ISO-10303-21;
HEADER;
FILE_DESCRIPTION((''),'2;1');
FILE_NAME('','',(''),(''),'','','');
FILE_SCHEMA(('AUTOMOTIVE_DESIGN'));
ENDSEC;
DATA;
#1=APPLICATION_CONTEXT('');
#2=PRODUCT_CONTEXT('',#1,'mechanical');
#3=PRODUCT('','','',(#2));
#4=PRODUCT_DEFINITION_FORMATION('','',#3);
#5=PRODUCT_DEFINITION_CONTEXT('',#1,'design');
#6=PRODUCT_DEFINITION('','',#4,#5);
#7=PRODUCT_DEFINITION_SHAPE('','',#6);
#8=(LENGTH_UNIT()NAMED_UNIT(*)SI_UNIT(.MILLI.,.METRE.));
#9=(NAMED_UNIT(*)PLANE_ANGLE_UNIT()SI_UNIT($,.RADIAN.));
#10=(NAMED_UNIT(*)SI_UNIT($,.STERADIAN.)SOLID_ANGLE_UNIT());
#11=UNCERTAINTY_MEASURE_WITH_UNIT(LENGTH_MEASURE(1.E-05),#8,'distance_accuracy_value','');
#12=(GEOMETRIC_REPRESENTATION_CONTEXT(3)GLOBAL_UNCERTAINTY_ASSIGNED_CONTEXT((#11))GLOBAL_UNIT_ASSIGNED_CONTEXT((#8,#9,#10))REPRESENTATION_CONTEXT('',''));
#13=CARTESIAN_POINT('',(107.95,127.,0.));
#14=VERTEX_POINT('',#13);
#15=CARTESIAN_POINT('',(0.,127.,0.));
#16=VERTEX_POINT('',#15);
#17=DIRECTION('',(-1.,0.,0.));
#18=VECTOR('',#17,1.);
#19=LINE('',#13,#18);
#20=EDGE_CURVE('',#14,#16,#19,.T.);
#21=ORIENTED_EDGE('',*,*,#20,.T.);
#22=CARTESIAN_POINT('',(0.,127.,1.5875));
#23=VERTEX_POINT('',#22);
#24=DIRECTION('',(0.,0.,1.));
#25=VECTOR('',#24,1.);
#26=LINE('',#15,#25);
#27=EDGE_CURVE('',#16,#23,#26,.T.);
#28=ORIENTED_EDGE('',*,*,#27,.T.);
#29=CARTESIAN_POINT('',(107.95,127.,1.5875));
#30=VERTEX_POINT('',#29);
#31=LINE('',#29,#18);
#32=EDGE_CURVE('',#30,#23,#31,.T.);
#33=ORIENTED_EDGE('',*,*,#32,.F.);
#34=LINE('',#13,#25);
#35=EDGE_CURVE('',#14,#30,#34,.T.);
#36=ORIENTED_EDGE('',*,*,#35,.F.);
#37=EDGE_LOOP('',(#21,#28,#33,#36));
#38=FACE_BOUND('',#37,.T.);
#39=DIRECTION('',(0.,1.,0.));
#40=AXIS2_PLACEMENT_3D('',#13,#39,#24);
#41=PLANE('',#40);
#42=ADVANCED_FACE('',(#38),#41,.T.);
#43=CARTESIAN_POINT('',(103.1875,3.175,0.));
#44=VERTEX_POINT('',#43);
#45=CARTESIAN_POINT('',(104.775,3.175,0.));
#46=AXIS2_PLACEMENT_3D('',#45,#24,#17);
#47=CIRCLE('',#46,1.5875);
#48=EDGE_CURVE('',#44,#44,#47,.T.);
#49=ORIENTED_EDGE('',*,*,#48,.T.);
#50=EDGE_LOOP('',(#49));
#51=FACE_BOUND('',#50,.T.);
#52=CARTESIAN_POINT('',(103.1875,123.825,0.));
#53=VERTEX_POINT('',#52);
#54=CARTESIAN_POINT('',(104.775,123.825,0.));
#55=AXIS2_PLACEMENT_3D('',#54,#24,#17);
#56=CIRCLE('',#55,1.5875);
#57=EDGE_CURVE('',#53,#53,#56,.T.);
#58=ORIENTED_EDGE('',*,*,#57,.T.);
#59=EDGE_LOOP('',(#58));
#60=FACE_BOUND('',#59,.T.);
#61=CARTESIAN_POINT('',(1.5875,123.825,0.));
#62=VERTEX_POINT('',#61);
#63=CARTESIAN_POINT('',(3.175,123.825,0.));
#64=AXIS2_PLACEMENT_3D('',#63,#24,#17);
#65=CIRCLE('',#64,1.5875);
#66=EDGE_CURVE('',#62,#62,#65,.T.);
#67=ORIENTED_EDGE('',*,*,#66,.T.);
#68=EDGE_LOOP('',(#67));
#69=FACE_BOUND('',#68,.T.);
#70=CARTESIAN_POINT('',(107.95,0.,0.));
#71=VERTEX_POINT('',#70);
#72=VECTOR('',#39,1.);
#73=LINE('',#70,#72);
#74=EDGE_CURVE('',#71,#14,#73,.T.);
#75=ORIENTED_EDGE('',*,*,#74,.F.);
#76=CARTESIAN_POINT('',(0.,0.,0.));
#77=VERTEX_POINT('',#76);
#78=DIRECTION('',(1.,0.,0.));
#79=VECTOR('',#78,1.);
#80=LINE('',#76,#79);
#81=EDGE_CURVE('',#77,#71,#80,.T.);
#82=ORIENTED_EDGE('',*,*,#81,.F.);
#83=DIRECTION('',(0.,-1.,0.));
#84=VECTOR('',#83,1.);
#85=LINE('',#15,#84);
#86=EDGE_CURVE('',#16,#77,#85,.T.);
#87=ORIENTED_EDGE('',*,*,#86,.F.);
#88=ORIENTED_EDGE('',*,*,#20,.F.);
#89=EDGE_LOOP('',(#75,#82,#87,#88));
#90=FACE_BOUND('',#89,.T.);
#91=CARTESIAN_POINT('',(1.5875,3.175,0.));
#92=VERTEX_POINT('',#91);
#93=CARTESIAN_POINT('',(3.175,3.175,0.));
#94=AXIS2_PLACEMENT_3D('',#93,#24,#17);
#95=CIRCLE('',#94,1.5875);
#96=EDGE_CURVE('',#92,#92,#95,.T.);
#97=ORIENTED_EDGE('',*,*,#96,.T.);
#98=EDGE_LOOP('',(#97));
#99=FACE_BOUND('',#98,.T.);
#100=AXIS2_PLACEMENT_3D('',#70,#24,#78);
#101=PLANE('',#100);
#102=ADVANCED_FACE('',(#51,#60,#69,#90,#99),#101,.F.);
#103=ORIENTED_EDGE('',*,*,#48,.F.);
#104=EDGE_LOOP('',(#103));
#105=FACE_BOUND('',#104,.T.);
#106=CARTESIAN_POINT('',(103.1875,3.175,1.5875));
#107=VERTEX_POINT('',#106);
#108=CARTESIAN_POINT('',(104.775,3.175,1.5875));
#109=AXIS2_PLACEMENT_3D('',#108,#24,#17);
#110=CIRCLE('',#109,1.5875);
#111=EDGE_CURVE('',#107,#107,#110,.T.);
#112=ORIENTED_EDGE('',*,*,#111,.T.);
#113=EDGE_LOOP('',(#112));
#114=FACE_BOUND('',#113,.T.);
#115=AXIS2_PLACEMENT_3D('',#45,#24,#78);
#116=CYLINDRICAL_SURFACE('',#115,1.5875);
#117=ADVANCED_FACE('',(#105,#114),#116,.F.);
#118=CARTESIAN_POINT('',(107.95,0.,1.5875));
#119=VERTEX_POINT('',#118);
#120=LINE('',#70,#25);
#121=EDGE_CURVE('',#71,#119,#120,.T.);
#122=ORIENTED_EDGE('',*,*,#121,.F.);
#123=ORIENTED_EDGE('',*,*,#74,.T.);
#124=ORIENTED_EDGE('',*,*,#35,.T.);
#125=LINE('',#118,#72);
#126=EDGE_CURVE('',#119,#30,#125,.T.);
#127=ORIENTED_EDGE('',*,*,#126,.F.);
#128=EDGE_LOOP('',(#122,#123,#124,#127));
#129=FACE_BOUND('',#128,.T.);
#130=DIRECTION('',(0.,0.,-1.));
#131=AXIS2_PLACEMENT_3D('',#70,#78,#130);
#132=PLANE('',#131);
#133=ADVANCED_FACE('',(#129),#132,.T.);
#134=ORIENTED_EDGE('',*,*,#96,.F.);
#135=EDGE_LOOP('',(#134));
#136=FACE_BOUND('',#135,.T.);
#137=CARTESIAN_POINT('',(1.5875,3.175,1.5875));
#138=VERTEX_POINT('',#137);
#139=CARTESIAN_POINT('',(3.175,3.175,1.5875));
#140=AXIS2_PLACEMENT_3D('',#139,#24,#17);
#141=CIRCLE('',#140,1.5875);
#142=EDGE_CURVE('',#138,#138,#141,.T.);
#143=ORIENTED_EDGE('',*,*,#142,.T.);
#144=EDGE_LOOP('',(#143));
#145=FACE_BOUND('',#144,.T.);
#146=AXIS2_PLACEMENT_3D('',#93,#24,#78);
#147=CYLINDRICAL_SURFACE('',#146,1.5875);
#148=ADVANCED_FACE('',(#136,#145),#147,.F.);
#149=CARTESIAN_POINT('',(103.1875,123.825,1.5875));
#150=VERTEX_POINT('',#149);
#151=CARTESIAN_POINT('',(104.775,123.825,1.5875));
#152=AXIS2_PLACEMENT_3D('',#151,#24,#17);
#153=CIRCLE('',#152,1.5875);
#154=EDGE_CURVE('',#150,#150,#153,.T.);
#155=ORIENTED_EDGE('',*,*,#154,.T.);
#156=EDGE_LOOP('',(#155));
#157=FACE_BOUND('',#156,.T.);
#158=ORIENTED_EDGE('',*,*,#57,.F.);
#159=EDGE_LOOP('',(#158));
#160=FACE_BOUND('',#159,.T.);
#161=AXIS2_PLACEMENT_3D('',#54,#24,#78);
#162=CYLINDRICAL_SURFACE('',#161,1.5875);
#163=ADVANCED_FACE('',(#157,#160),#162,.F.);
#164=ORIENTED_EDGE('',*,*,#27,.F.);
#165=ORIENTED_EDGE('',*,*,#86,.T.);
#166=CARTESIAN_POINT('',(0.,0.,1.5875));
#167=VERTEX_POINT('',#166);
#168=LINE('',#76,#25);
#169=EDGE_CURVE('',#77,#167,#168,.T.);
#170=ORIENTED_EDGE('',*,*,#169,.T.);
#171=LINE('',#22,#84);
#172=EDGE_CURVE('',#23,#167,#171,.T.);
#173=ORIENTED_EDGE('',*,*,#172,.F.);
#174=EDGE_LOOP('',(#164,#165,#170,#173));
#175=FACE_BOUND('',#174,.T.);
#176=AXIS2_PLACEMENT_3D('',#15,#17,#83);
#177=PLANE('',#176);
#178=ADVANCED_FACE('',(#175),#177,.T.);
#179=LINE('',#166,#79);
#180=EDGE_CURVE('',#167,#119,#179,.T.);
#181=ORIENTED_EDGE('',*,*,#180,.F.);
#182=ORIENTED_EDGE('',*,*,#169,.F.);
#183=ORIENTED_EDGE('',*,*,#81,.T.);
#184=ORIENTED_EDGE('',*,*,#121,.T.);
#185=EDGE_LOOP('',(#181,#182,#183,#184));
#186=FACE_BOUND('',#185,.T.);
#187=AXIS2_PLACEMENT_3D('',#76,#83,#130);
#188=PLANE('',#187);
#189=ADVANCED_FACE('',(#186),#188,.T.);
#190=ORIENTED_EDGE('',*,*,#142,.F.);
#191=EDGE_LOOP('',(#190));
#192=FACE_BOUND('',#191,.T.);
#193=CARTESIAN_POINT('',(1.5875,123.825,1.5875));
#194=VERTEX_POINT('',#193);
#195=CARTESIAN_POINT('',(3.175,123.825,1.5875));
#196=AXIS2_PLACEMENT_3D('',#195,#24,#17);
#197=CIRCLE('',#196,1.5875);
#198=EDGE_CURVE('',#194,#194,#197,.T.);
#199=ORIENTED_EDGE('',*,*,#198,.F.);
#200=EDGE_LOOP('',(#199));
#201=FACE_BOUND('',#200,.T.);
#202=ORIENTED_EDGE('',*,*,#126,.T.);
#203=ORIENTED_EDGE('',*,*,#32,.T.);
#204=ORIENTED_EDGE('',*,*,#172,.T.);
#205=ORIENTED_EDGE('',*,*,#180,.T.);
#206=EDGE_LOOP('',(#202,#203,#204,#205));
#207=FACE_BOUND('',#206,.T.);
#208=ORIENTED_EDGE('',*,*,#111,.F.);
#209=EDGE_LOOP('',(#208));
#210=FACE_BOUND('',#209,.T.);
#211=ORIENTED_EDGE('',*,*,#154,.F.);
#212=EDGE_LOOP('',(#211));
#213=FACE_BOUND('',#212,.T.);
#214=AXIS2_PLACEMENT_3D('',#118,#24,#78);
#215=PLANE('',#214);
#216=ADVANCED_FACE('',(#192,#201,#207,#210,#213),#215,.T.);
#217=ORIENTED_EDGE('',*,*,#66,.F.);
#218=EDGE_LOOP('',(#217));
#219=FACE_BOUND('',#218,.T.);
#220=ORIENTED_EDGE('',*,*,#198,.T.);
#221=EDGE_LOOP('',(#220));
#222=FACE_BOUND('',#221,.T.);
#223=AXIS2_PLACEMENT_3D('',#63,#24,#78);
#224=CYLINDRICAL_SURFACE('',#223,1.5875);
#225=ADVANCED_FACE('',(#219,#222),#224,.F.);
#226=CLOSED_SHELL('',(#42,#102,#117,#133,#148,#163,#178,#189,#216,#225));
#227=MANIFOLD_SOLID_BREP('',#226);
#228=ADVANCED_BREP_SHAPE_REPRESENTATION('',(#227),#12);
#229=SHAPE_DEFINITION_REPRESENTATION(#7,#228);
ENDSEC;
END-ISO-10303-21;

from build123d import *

# Parameters (mm, degrees)
SKETCH1_W           = 107.95
SKETCH1_H           = 127
SKETCH1_R           = 1.5875
BOSS_EXTRUDE1_DEPTH = 1.5875


with BuildPart() as part:
    # Sketch1 → Boss-Extrude1 (new body)
    with BuildSketch(Plane.XY.offset(1.5875)):
        with Locations((53.975, 63.5)):
            Rectangle(SKETCH1_W, SKETCH1_H)
        with Locations(Location((104.775, 3.175, 0), (0, 0, 180))):
            Circle(SKETCH1_R, mode=Mode.SUBTRACT)
        with Locations(Location((3.175, 123.825, 0), (0, 0, 180))):
            Circle(SKETCH1_R, mode=Mode.SUBTRACT)
        with Locations(Location((104.775, 123.825, 0), (0, 0, 180))):
            Circle(SKETCH1_R, mode=Mode.SUBTRACT)
        with Locations(Location((3.175, 3.175, 0), (0, 0, 180))):
            Circle(SKETCH1_R, mode=Mode.SUBTRACT)
    extrude(amount=-BOSS_EXTRUDE1_DEPTH)


solid = part.part
